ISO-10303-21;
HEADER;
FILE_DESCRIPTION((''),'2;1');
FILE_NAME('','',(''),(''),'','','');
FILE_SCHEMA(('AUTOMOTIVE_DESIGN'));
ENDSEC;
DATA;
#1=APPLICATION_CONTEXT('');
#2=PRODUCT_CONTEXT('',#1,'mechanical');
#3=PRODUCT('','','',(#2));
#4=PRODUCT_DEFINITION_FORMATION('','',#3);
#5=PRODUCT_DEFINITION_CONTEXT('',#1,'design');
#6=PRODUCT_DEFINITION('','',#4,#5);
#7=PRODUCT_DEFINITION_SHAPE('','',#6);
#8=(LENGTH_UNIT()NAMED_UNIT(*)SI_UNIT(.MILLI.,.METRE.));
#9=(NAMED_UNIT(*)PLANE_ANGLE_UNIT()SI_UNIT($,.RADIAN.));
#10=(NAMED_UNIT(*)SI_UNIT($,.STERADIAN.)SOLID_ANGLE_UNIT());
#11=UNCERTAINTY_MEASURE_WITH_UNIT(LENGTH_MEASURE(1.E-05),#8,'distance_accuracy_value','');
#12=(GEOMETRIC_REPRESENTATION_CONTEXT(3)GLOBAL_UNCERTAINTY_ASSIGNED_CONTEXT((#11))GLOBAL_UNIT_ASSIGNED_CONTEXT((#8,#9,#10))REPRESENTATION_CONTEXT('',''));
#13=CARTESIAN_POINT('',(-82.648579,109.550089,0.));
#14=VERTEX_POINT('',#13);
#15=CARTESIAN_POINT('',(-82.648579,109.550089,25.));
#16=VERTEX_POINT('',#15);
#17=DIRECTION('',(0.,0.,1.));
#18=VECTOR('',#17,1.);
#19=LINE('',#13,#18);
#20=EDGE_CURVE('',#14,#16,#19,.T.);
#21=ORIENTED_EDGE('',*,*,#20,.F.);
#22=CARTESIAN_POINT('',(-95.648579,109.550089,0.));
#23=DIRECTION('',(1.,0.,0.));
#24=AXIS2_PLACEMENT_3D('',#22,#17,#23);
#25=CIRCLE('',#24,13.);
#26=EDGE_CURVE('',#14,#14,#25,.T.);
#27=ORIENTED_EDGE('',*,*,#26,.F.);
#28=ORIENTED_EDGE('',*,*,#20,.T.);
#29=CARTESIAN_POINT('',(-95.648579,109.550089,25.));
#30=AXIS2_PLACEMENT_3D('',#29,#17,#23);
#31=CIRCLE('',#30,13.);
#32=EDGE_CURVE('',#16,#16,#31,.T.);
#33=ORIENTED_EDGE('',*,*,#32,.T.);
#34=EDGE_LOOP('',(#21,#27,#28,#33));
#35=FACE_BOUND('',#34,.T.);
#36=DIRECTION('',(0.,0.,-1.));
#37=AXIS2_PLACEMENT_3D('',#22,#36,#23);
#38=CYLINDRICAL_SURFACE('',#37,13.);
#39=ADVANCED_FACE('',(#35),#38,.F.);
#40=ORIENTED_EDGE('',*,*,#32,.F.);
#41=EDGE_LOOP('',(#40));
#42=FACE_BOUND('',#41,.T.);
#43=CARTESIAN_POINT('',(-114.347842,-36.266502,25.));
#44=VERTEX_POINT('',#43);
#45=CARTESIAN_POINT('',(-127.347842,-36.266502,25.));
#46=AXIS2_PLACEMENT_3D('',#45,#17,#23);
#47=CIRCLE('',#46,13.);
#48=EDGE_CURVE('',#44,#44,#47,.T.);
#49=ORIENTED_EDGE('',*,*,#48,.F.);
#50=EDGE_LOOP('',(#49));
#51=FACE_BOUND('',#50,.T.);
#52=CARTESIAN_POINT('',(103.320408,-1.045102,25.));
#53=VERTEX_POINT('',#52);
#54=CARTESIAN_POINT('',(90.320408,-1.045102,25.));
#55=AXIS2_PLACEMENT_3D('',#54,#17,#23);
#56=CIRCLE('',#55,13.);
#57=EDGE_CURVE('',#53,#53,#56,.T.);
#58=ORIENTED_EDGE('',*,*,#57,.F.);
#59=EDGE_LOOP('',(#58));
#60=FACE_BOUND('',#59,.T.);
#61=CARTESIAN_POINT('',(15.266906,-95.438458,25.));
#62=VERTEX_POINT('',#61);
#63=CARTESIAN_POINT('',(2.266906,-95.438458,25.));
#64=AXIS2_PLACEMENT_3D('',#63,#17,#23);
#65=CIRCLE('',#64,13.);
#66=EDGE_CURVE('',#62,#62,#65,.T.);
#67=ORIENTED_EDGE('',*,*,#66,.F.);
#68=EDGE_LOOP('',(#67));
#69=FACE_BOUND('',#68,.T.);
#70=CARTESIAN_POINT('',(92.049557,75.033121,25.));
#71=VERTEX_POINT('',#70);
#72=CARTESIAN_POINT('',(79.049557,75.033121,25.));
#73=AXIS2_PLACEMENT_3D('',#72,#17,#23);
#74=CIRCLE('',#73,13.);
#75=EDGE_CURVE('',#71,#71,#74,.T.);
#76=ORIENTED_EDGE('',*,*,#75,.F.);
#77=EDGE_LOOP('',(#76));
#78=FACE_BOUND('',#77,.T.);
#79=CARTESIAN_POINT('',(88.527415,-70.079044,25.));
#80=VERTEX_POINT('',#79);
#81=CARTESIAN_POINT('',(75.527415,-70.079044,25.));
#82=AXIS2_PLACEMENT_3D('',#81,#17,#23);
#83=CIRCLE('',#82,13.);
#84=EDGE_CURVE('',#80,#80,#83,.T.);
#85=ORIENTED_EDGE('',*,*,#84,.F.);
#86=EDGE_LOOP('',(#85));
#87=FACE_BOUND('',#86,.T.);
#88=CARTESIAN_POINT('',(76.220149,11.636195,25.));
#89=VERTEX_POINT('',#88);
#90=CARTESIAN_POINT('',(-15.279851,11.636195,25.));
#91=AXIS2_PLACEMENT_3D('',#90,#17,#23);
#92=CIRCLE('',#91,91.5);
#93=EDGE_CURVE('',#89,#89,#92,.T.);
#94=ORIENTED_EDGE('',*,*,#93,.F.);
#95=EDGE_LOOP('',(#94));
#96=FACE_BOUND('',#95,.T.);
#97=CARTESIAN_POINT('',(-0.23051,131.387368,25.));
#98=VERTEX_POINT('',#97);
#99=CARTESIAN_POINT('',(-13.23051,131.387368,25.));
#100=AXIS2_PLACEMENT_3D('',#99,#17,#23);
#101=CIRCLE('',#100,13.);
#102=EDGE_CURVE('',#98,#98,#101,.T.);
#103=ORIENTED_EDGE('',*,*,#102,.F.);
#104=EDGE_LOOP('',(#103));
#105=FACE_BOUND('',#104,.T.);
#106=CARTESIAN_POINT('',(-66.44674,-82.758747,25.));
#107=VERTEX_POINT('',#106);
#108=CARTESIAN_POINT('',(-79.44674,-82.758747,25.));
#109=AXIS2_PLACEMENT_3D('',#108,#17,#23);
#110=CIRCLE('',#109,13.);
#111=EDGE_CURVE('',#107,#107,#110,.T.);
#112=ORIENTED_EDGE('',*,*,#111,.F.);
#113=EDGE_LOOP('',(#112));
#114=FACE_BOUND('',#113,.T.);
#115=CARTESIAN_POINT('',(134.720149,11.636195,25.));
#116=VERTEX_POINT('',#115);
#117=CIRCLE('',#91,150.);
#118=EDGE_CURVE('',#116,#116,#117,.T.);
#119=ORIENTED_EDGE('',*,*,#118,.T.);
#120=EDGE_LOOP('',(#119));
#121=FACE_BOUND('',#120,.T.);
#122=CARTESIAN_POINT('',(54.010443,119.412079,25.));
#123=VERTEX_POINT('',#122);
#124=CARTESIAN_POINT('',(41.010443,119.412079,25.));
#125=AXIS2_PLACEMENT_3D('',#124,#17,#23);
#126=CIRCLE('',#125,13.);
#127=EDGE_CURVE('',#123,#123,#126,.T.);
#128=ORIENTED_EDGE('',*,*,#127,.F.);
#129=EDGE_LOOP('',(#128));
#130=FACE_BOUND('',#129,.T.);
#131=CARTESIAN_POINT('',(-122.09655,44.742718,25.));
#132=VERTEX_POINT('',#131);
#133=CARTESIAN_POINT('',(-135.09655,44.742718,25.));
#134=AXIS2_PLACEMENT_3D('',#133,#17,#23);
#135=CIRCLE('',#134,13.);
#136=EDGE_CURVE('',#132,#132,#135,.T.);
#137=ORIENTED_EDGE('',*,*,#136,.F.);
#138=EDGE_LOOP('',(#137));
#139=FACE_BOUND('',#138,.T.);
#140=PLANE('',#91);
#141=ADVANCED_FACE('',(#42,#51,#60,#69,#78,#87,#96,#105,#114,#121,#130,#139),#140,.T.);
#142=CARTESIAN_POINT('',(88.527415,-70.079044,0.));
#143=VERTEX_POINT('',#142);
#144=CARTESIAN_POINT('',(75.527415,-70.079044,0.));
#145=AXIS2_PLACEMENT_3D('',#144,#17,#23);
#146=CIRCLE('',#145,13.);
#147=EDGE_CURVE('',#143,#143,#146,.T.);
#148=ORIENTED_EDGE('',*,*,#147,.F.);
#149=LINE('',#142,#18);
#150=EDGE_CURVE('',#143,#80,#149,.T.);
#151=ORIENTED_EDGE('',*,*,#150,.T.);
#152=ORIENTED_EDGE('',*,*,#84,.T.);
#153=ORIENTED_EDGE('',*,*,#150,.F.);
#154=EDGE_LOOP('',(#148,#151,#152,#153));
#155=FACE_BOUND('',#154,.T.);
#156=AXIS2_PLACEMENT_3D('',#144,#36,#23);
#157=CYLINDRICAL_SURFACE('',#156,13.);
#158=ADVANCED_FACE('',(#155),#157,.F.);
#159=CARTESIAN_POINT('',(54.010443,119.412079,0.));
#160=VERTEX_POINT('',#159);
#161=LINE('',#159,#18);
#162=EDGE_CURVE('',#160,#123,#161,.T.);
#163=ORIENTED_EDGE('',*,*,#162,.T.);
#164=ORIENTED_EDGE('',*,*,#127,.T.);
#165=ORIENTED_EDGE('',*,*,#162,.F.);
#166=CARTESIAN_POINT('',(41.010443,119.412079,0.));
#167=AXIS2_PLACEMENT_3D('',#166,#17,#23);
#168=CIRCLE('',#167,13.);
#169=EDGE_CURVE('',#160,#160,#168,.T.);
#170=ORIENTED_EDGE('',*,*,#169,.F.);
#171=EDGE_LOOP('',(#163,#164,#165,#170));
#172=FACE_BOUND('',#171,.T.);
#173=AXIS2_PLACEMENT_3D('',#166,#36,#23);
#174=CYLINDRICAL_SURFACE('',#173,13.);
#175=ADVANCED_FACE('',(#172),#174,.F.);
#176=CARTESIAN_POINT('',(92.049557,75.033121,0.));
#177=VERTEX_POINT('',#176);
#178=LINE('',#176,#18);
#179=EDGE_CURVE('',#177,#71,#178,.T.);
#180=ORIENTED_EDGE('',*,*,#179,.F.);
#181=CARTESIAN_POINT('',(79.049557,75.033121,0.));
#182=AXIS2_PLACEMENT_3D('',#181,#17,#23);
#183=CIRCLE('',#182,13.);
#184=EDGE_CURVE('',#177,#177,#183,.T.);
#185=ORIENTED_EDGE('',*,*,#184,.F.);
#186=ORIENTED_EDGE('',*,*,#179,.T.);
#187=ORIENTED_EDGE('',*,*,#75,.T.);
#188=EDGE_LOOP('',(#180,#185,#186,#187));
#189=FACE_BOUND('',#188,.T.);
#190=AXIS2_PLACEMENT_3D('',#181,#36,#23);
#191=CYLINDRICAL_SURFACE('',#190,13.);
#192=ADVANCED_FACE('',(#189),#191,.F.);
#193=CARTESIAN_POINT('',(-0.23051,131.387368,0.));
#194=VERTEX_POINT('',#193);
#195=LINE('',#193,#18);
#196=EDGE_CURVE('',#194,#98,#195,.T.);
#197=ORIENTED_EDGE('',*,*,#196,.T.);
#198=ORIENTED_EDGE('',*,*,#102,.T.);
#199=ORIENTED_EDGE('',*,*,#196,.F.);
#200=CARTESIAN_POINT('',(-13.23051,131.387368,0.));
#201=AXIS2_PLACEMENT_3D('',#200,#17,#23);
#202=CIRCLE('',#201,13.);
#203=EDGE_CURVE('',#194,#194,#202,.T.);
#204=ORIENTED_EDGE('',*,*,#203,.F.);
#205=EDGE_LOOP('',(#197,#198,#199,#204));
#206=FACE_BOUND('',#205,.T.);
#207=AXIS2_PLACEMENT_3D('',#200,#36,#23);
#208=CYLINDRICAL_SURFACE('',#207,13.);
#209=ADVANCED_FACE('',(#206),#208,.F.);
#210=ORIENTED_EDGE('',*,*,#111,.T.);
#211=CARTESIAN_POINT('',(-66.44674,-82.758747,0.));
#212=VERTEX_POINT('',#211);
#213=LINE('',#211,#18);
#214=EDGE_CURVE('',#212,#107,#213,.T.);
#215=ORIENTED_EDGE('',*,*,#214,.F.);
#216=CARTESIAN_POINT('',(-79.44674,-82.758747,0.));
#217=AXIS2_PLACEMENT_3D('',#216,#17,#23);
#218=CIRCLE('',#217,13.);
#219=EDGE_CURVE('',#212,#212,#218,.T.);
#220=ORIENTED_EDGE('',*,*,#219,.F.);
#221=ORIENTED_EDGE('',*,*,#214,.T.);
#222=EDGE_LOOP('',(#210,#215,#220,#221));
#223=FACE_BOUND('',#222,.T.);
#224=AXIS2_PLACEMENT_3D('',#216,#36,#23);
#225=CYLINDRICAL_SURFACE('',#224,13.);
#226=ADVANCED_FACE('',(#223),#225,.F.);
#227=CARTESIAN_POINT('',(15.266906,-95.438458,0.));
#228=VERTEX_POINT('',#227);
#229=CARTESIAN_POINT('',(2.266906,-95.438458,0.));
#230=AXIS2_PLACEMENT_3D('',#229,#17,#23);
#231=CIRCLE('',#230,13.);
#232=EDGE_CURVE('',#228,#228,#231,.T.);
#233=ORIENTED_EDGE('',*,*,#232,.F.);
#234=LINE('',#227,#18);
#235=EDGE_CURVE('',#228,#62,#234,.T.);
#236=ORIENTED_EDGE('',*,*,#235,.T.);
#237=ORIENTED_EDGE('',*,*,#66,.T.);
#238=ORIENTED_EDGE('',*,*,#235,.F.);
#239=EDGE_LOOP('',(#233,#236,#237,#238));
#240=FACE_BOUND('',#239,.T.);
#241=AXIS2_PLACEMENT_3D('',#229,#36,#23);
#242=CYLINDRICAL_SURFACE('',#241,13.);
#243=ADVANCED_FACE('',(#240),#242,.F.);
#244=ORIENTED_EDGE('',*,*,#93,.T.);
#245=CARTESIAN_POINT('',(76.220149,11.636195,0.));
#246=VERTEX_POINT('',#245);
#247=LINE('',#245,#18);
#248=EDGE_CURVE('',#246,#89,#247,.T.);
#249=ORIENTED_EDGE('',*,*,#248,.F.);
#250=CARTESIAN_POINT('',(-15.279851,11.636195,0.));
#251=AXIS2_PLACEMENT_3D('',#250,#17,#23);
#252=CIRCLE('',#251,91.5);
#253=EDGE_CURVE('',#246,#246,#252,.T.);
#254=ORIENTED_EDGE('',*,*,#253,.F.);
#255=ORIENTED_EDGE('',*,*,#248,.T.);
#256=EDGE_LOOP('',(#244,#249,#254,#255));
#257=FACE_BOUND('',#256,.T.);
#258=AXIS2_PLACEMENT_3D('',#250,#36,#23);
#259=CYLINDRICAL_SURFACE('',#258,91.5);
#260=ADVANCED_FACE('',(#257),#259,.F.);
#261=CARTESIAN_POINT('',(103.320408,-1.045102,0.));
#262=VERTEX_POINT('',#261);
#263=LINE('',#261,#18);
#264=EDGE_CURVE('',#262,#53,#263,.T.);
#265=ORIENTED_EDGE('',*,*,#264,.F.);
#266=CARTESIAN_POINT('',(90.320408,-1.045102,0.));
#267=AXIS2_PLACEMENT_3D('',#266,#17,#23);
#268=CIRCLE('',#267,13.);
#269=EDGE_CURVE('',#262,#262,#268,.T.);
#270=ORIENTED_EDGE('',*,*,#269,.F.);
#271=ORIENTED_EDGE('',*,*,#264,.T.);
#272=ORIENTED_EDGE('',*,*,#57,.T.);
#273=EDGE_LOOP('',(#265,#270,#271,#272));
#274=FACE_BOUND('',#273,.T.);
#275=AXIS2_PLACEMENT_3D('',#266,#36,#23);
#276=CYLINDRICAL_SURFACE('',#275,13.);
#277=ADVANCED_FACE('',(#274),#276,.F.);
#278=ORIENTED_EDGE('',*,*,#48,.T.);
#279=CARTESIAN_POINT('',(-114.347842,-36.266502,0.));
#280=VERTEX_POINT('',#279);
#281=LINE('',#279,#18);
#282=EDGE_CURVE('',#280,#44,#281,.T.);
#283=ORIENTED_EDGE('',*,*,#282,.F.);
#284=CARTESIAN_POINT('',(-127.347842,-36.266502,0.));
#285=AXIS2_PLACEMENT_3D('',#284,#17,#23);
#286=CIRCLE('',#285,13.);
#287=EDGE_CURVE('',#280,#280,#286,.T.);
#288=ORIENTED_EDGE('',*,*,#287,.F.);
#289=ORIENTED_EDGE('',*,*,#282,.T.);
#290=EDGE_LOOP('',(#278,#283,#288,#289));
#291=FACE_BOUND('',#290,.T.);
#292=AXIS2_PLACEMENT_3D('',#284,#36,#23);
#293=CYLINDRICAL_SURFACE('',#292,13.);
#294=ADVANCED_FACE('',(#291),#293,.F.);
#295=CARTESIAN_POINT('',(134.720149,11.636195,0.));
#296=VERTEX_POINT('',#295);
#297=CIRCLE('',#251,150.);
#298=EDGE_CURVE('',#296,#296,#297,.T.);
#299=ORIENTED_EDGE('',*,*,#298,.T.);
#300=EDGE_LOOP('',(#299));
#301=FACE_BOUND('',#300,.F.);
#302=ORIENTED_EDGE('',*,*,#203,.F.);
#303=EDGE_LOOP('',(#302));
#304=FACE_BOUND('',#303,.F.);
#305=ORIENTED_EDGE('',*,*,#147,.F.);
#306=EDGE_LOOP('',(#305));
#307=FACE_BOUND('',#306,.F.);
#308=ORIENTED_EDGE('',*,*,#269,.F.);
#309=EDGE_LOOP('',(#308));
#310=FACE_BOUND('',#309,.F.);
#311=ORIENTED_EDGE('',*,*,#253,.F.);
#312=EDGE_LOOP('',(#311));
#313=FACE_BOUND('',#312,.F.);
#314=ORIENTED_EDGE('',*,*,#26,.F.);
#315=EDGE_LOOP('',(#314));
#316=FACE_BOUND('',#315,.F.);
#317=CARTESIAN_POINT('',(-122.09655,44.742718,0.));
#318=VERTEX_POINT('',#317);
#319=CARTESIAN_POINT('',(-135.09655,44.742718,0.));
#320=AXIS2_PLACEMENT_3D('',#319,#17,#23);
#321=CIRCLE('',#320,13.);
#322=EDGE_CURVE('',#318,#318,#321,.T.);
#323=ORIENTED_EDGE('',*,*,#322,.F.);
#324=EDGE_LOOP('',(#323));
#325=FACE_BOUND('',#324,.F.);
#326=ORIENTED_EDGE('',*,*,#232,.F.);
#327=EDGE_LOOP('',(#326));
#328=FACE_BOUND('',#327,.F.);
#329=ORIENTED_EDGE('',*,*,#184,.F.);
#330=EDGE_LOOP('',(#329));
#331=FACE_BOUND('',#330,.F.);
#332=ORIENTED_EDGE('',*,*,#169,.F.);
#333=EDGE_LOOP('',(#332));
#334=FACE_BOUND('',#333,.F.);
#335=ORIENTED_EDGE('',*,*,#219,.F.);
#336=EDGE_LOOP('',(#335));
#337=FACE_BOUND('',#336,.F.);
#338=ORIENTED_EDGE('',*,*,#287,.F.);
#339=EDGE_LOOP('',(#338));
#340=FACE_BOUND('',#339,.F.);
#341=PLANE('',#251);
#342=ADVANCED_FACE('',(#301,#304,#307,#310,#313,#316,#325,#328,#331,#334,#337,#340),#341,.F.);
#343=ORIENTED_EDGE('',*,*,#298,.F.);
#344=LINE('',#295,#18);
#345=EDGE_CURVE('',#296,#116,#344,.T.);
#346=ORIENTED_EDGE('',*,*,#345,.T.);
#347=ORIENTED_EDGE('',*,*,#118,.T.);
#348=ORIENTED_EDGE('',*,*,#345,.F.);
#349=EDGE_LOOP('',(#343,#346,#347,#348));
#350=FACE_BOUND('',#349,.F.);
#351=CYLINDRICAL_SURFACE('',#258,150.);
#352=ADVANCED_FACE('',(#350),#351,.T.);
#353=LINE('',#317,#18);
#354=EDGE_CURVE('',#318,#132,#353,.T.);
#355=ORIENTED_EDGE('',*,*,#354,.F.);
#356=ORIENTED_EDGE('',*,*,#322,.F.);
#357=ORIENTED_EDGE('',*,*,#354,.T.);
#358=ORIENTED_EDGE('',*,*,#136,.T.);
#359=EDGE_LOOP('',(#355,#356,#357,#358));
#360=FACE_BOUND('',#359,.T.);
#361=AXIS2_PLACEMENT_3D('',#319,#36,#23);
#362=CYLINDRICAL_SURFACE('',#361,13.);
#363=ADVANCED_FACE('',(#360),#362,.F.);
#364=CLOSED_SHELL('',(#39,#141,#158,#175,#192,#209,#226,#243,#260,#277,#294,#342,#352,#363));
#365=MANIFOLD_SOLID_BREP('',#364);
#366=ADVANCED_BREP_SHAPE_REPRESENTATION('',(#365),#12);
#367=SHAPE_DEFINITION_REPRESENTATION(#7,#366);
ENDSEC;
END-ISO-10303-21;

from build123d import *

# Parameters (mm, degrees)
F0_R     = 150
F0_R_2   = 13
F0_R_3   = 91.5
F1_DEPTH = 25


with BuildPart() as f1:
    # F0 (on Top) → F1 (new body)
    with BuildSketch(Plane.XY):
        with Locations((-15.279851, 11.636195)):
            Circle(F0_R)
        with Locations((-79.44674, -82.758747)):
            Circle(F0_R_2, mode=Mode.SUBTRACT)
        with Locations((-127.347842, -36.266502)):
            Circle(F0_R_2, mode=Mode.SUBTRACT)
        with Locations((2.266906, -95.438458)):
            Circle(F0_R_2, mode=Mode.SUBTRACT)
        with Locations((75.527415, -70.079044)):
            Circle(F0_R_2, mode=Mode.SUBTRACT)
        with Locations((90.320408, -1.045102)):
            Circle(F0_R_2, mode=Mode.SUBTRACT)
        with Locations((-135.09655, 44.742718)):
            Circle(F0_R_2, mode=Mode.SUBTRACT)
        with Locations((-95.648579, 109.550089)):
            Circle(F0_R_2, mode=Mode.SUBTRACT)
        with Locations((-15.279851, 11.636195)):
            Circle(F0_R_3, mode=Mode.SUBTRACT)
        with Locations((79.049557, 75.033121)):
            Circle(F0_R_2, mode=Mode.SUBTRACT)
        with Locations((41.010443, 119.412079)):
            Circle(F0_R_2, mode=Mode.SUBTRACT)
        with Locations((-13.23051, 131.387368)):
            Circle(F0_R_2, mode=Mode.SUBTRACT)
    extrude(amount=F1_DEPTH)


solid = f1.part
